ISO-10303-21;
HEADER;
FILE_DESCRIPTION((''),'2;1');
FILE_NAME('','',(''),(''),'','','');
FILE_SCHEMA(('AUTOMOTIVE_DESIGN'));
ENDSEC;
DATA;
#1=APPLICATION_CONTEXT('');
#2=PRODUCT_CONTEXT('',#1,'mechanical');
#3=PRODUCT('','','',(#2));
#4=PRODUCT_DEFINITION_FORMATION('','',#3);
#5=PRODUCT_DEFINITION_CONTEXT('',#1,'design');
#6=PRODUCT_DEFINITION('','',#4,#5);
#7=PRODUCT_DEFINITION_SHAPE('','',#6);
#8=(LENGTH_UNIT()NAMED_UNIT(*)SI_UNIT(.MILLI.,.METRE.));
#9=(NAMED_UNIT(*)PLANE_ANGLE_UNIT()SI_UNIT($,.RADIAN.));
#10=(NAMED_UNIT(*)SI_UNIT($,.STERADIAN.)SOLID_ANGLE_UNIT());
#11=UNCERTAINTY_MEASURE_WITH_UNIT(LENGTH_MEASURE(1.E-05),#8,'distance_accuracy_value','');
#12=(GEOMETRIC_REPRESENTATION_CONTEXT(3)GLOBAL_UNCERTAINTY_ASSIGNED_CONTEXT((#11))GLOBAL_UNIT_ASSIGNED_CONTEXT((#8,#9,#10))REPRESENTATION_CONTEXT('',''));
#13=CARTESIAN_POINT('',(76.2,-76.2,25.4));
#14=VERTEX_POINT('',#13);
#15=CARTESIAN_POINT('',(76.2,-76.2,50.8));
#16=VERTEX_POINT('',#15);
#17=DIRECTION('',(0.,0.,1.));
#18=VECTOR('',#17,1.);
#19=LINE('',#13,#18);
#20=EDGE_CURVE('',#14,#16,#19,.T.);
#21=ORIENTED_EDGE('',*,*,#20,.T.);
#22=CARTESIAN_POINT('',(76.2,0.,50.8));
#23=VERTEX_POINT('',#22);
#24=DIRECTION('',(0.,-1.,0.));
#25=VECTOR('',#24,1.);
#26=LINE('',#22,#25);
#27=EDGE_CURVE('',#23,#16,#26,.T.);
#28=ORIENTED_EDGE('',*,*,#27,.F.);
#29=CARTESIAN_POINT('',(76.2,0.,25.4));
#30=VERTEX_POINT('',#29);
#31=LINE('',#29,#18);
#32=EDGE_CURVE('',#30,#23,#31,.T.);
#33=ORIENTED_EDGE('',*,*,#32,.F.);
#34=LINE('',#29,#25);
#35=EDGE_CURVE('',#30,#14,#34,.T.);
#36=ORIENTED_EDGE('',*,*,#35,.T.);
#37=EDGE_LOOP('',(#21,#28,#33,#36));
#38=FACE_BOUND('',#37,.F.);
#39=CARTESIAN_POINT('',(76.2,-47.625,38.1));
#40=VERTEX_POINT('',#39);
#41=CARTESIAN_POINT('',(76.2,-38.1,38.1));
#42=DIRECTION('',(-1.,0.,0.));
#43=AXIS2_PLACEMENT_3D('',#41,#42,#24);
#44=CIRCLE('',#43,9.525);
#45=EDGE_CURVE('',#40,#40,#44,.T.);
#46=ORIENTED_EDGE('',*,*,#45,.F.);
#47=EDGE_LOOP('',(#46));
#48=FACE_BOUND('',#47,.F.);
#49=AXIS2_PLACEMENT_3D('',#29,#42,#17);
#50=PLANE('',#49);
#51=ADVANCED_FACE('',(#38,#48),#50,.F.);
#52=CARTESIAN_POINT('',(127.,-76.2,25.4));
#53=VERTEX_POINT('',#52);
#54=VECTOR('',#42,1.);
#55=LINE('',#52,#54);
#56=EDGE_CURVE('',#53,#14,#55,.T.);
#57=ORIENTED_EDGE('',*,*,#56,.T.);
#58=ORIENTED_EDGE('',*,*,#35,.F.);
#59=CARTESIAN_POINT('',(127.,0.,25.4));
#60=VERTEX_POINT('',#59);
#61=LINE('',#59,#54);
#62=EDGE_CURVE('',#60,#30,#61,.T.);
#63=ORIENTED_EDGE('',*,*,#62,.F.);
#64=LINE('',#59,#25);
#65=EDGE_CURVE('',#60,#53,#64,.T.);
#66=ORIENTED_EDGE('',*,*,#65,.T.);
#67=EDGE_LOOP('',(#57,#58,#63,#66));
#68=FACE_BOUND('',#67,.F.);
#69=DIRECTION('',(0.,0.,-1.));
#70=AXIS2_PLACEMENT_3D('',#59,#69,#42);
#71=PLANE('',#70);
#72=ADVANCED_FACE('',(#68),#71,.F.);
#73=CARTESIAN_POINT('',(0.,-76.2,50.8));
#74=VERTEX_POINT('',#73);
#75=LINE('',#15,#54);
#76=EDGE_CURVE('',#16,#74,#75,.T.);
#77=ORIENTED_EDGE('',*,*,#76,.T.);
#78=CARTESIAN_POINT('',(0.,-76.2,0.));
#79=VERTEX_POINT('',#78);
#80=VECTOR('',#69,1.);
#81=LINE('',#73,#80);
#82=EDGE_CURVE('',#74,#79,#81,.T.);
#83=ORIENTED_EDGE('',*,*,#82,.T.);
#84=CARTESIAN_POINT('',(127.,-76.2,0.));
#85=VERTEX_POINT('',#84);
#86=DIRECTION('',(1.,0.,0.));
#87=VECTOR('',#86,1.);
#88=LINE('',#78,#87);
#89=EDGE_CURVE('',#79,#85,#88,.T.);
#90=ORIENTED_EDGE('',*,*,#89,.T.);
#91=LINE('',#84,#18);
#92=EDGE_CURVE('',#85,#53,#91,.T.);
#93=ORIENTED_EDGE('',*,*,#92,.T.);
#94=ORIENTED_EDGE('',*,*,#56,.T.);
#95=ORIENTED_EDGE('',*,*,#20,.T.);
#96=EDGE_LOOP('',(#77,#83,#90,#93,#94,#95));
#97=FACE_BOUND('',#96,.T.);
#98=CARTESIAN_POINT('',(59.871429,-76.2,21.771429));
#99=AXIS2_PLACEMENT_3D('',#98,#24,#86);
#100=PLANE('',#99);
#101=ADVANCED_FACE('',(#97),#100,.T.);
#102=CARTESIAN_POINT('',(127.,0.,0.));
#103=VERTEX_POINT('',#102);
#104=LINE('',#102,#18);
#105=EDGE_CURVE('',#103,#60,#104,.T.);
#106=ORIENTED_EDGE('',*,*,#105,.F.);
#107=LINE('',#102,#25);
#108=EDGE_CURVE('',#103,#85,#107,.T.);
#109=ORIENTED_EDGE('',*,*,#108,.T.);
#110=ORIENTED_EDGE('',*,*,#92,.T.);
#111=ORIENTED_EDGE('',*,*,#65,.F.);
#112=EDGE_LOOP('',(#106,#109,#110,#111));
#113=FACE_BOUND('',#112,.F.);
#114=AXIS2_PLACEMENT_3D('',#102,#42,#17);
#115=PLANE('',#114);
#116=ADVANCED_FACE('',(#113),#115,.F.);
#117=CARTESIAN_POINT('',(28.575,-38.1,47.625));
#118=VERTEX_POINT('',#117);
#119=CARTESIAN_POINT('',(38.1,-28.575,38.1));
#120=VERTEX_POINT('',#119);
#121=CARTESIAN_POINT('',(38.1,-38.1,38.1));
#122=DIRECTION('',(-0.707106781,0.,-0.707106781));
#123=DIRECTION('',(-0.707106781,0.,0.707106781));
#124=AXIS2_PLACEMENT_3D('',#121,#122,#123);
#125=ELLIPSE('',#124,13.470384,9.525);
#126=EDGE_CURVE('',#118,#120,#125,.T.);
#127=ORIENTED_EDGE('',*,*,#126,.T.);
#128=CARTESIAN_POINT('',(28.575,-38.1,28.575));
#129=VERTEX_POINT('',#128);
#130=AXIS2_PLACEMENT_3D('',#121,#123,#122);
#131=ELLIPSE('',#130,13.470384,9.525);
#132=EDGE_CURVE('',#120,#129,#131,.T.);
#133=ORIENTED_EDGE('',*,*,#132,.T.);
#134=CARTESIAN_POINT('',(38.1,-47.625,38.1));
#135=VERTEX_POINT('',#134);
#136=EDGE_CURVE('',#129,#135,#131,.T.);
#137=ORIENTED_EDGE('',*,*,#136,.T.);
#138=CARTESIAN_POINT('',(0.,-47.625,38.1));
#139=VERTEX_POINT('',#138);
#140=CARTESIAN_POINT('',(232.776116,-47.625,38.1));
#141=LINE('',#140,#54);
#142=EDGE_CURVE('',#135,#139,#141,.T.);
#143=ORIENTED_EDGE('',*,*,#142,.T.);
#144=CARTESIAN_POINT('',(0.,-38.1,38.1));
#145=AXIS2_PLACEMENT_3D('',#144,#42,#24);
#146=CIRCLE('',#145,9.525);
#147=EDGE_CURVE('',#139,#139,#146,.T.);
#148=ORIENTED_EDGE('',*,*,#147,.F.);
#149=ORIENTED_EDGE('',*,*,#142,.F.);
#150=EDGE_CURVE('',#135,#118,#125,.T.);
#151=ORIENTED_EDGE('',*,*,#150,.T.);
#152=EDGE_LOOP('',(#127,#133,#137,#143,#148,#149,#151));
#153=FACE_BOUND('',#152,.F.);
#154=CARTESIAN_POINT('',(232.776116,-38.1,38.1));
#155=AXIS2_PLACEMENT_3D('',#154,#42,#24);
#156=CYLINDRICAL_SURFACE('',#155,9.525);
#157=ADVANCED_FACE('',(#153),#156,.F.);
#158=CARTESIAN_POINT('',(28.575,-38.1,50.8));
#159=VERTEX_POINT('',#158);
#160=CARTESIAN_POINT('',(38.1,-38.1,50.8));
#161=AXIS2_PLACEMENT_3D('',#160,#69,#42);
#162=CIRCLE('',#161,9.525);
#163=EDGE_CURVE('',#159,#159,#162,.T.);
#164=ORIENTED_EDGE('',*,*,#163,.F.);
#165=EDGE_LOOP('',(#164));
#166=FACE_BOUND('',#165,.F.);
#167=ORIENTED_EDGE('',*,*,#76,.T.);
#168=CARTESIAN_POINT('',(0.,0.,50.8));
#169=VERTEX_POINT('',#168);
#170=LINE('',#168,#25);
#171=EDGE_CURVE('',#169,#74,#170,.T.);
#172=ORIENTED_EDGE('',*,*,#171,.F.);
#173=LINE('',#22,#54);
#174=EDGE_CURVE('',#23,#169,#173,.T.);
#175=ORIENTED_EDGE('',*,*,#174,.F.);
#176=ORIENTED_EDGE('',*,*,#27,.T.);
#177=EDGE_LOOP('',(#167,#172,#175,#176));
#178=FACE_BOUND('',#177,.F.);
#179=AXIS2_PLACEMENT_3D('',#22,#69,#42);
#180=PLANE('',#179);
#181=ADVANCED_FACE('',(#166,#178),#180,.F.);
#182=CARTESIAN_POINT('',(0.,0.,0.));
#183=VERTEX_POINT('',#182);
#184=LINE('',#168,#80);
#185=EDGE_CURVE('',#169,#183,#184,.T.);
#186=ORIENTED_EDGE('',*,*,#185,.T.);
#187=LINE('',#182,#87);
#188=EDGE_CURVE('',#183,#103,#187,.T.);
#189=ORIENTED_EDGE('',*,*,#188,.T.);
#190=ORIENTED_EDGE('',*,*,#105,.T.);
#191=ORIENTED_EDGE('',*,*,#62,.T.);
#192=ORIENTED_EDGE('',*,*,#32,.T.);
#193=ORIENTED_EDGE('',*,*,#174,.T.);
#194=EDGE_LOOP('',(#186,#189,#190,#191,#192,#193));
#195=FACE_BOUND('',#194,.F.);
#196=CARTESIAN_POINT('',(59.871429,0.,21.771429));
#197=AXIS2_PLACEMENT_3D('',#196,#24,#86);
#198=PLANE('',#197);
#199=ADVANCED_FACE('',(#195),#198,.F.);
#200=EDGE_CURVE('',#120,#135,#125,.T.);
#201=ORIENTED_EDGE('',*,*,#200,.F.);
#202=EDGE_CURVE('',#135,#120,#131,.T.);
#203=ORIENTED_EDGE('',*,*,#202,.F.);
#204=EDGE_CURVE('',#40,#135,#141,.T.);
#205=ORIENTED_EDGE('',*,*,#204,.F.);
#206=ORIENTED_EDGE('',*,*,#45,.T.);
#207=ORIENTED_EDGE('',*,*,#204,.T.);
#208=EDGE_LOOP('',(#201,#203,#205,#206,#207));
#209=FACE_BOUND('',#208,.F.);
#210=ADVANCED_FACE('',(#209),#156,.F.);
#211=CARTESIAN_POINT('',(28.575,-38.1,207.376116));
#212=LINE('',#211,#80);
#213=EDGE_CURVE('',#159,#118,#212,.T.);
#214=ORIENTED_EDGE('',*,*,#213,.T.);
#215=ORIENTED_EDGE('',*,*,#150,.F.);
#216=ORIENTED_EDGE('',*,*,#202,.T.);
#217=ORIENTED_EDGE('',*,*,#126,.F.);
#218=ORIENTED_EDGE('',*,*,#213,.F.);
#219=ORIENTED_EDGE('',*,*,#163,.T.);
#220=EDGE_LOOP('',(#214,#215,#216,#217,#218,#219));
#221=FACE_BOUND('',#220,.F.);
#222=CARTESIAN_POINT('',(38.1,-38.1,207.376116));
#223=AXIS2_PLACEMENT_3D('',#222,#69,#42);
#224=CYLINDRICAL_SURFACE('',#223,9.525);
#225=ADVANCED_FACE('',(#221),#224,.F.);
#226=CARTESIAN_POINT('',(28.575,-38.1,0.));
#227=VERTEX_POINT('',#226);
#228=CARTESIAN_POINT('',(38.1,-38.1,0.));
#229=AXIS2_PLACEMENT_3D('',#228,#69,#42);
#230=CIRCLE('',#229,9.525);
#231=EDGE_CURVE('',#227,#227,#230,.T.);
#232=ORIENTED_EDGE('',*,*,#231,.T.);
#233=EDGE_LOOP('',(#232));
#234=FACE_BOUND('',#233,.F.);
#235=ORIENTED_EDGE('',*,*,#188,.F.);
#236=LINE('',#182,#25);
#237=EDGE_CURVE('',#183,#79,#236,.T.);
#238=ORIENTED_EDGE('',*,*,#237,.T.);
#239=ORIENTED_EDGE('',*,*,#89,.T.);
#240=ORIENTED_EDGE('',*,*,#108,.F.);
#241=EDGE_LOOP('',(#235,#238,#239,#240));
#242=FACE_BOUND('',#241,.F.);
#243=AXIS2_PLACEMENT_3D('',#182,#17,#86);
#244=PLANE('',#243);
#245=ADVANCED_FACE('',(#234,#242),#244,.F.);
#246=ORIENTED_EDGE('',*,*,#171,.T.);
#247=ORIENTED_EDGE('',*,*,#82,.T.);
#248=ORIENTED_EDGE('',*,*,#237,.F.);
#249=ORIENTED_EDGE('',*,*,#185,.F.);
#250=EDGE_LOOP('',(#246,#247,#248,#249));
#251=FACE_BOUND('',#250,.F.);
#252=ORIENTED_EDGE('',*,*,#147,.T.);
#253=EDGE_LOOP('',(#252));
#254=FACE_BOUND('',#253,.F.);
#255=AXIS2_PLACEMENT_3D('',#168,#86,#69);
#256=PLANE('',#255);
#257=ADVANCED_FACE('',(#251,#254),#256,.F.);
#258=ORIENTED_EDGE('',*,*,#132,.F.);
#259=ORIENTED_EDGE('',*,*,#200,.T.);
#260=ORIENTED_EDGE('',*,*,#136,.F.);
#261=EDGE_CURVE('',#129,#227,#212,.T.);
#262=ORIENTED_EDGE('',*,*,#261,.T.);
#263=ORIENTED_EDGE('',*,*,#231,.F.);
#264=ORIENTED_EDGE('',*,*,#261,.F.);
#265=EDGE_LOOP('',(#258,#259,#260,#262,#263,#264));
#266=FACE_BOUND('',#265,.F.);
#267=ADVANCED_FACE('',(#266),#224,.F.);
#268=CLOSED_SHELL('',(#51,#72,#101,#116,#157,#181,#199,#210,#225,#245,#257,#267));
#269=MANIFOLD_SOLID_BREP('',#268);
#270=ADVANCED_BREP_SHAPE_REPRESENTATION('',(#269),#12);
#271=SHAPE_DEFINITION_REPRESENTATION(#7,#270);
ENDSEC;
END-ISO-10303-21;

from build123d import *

# Parameters (mm, degrees)
F1_DEPTH = 76.2
F4_D     = 19.05
F5_D     = 19.05


with BuildPart() as f1:
    # F0 (on Front) → F1 (new body)
    with BuildSketch(Plane.XZ):
        Polygon((0, 50.8), (0, 0), (127, 0), (127, 25.4), (76.2, 25.4), (76.2, 50.8), align=None)
    extrude(amount=F1_DEPTH)

    # F4 (through all)
    with Locations(Plane.YZ.offset(76.2)):
        with Locations((-38.1, 38.1)):
            Hole(F4_D / 2)

    # F5 (through all)
    with Locations(Plane.XY.offset(50.8)):
        with Locations((38.1, -38.1)):
            Hole(F5_D / 2)


solid = f1.part
